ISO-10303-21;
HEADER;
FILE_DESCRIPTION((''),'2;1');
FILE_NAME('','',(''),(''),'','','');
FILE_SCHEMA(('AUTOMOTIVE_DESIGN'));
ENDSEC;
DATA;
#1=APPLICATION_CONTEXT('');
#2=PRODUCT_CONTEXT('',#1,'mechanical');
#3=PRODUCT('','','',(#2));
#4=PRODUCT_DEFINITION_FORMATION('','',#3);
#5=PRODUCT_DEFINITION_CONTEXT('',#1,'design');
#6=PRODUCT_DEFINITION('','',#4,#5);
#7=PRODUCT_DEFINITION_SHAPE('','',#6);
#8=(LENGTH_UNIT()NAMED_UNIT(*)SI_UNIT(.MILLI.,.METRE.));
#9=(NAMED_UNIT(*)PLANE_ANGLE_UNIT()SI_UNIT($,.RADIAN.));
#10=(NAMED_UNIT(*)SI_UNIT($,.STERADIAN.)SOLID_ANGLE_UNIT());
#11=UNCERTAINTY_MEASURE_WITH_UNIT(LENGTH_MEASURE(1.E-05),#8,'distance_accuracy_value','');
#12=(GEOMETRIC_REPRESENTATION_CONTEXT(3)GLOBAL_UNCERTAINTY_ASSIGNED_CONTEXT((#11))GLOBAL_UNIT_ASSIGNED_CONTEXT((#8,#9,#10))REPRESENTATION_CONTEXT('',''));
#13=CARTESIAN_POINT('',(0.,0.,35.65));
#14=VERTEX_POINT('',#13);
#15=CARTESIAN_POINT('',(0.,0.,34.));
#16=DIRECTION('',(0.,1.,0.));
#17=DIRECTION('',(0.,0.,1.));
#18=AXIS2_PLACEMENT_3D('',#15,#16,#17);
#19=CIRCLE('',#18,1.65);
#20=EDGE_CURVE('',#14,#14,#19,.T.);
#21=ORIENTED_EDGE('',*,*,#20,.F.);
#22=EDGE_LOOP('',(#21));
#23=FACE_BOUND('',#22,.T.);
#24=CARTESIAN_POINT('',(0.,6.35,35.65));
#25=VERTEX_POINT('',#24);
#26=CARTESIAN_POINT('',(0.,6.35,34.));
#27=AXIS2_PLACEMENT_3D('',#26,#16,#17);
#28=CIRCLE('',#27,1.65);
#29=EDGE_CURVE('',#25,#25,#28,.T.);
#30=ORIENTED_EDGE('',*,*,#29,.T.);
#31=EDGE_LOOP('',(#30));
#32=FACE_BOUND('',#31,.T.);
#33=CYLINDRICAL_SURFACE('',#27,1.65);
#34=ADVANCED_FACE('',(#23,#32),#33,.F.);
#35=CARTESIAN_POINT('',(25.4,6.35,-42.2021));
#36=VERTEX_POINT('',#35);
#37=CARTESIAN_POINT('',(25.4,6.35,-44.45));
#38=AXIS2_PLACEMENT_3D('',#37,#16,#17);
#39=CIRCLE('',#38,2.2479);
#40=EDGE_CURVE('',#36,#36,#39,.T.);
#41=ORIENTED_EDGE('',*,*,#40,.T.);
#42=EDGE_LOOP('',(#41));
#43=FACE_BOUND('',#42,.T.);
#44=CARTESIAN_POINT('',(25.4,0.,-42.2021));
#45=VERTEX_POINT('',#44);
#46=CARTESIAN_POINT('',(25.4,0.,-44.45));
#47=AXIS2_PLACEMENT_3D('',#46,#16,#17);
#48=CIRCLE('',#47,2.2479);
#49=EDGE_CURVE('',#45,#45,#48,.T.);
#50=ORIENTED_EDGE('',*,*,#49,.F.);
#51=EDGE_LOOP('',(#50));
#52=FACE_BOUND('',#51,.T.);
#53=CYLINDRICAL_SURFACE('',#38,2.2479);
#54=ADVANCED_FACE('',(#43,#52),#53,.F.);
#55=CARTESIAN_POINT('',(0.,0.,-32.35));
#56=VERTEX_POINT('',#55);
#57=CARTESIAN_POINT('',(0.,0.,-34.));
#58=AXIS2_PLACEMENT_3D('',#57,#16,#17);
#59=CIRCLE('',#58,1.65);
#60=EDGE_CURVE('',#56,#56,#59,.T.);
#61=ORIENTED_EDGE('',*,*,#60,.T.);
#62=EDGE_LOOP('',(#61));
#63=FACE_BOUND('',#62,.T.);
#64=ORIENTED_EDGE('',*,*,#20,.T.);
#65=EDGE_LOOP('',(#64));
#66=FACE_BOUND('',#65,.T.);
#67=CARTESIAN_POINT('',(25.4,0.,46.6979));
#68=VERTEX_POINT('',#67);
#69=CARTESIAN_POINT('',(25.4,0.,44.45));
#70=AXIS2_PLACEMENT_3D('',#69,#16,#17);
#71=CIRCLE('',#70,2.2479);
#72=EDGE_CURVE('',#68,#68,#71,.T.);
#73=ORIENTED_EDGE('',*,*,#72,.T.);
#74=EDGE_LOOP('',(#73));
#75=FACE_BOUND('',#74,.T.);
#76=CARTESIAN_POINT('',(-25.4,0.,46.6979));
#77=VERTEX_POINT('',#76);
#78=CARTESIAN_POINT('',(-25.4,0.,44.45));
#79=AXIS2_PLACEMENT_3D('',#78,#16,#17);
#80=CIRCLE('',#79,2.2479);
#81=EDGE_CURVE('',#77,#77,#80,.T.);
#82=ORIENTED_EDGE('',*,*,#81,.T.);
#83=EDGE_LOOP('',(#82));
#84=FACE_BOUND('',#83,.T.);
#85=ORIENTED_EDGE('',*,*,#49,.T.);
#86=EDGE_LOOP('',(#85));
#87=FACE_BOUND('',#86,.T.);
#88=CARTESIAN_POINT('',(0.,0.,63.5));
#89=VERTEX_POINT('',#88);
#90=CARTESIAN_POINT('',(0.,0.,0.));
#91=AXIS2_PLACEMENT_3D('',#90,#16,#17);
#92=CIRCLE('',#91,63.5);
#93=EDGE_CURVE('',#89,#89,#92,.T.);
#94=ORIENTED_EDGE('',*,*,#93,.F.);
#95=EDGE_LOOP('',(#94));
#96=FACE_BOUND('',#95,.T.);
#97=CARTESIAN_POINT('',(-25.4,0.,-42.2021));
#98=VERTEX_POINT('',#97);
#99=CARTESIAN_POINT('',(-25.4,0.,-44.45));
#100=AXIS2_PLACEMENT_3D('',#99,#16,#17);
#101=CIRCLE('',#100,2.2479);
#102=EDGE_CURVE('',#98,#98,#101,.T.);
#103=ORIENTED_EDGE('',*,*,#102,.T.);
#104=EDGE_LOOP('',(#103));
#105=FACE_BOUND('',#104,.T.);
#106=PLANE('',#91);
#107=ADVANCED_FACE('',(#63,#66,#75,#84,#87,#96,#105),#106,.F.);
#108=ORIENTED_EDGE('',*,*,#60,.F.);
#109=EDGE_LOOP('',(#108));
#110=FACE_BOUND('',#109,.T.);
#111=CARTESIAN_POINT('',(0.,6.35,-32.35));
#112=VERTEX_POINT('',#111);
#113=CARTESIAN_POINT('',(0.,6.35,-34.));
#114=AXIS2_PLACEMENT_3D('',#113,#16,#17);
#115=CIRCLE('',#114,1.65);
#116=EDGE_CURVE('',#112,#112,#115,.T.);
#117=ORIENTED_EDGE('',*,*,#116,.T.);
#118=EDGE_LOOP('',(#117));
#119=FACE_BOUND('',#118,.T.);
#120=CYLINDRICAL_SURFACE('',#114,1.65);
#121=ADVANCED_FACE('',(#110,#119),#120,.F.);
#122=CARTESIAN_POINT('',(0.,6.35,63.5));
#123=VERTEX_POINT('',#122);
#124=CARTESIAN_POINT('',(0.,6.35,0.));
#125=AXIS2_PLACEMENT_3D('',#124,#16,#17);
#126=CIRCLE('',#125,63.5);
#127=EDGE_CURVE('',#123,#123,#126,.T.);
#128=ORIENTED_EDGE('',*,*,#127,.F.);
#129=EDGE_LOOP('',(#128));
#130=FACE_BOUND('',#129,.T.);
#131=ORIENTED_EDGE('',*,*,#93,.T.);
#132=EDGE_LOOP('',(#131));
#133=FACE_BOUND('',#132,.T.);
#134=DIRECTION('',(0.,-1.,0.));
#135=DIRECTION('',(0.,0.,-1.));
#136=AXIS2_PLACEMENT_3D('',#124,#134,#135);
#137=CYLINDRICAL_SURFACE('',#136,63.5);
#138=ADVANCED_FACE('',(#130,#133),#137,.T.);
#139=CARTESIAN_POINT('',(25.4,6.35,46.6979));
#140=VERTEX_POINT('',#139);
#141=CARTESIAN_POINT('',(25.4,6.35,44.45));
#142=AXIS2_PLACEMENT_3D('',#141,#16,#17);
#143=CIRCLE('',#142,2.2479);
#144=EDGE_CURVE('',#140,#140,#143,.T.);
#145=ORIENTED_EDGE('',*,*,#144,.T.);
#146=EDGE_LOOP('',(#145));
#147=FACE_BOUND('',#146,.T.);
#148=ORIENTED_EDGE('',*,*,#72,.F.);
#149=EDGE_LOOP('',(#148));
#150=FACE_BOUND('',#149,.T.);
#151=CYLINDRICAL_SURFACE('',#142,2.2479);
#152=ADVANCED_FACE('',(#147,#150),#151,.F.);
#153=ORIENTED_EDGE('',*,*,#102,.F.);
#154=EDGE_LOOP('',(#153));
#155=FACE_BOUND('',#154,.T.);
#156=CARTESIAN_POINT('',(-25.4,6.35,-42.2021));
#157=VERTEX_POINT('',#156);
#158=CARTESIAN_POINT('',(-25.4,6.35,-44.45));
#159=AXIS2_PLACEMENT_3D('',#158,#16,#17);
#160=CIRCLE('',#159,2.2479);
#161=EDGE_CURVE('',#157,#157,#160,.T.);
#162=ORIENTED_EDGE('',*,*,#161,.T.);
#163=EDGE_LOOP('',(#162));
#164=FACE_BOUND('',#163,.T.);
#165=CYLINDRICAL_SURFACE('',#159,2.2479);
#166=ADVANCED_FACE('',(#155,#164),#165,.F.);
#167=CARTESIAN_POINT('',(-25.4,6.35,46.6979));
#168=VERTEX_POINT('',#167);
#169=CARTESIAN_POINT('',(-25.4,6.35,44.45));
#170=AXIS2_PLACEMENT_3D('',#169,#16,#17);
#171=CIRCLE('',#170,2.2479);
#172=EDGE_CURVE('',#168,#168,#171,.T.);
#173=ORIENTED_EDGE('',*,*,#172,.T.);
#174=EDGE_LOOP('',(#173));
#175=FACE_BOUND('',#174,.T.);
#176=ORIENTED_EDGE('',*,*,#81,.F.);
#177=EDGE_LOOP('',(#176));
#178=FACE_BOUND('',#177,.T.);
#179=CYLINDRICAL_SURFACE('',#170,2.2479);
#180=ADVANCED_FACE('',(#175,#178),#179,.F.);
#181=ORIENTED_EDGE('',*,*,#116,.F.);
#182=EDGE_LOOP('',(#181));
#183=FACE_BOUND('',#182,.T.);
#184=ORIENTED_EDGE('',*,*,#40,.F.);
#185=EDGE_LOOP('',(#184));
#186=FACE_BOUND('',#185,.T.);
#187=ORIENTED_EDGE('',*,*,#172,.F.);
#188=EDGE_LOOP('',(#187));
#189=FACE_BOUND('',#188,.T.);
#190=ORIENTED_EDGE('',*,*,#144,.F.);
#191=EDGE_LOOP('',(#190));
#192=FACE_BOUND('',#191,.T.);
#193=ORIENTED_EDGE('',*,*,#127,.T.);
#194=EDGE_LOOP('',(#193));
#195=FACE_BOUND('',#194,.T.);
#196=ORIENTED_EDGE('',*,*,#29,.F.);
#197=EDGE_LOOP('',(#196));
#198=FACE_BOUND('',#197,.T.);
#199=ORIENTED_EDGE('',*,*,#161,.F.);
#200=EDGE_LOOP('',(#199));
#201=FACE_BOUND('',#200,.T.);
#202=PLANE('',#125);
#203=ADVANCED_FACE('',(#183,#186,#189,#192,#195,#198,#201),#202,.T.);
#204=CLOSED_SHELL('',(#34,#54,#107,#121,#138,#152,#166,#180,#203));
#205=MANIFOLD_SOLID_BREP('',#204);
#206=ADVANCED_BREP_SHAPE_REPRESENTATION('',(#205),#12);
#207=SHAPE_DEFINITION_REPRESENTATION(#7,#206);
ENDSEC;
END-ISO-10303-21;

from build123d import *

# Parameters (mm, degrees)
SKETCH1_R                   = 63.5
BOSS_EXTRUDE1_DEPTH         = 6.35
F_8_CLEARANCE_HOLE1_D       = 4.4958
TAP_DRILL_FOR_M4X0_7_TAP1_D = 3.3


with BuildPart() as part:
    # Sketch1 → Boss-Extrude1 (new body)
    with BuildSketch(Plane(origin=(0, 0, 0), x_dir=(1, 0, 0), z_dir=(0, 1, 0))):
        with Locations(Location((0, 0, 0), (0, 0, 270))):
            Circle(SKETCH1_R)
    extrude(amount=BOSS_EXTRUDE1_DEPTH)

    # #8 Clearance Hole1 (through all)
    with Locations(Plane(origin=(0, 6.35, 0), x_dir=(1, 0, 0), z_dir=(0, 1, 0))):
        with Locations((-25.4, -44.45), (25.4, -44.45), (25.4, 44.45), (-25.4, 44.45)):
            Hole(F_8_CLEARANCE_HOLE1_D / 2)

    # Tap Drill for M4x0.7 Tap1 (through all)
    with Locations(Plane(origin=(0, 6.35, 0), x_dir=(1, 0, 0), z_dir=(0, 1, 0))):
        with Locations((0, 34), (0, -34)):
            Hole(TAP_DRILL_FOR_M4X0_7_TAP1_D / 2)


solid = part.part
